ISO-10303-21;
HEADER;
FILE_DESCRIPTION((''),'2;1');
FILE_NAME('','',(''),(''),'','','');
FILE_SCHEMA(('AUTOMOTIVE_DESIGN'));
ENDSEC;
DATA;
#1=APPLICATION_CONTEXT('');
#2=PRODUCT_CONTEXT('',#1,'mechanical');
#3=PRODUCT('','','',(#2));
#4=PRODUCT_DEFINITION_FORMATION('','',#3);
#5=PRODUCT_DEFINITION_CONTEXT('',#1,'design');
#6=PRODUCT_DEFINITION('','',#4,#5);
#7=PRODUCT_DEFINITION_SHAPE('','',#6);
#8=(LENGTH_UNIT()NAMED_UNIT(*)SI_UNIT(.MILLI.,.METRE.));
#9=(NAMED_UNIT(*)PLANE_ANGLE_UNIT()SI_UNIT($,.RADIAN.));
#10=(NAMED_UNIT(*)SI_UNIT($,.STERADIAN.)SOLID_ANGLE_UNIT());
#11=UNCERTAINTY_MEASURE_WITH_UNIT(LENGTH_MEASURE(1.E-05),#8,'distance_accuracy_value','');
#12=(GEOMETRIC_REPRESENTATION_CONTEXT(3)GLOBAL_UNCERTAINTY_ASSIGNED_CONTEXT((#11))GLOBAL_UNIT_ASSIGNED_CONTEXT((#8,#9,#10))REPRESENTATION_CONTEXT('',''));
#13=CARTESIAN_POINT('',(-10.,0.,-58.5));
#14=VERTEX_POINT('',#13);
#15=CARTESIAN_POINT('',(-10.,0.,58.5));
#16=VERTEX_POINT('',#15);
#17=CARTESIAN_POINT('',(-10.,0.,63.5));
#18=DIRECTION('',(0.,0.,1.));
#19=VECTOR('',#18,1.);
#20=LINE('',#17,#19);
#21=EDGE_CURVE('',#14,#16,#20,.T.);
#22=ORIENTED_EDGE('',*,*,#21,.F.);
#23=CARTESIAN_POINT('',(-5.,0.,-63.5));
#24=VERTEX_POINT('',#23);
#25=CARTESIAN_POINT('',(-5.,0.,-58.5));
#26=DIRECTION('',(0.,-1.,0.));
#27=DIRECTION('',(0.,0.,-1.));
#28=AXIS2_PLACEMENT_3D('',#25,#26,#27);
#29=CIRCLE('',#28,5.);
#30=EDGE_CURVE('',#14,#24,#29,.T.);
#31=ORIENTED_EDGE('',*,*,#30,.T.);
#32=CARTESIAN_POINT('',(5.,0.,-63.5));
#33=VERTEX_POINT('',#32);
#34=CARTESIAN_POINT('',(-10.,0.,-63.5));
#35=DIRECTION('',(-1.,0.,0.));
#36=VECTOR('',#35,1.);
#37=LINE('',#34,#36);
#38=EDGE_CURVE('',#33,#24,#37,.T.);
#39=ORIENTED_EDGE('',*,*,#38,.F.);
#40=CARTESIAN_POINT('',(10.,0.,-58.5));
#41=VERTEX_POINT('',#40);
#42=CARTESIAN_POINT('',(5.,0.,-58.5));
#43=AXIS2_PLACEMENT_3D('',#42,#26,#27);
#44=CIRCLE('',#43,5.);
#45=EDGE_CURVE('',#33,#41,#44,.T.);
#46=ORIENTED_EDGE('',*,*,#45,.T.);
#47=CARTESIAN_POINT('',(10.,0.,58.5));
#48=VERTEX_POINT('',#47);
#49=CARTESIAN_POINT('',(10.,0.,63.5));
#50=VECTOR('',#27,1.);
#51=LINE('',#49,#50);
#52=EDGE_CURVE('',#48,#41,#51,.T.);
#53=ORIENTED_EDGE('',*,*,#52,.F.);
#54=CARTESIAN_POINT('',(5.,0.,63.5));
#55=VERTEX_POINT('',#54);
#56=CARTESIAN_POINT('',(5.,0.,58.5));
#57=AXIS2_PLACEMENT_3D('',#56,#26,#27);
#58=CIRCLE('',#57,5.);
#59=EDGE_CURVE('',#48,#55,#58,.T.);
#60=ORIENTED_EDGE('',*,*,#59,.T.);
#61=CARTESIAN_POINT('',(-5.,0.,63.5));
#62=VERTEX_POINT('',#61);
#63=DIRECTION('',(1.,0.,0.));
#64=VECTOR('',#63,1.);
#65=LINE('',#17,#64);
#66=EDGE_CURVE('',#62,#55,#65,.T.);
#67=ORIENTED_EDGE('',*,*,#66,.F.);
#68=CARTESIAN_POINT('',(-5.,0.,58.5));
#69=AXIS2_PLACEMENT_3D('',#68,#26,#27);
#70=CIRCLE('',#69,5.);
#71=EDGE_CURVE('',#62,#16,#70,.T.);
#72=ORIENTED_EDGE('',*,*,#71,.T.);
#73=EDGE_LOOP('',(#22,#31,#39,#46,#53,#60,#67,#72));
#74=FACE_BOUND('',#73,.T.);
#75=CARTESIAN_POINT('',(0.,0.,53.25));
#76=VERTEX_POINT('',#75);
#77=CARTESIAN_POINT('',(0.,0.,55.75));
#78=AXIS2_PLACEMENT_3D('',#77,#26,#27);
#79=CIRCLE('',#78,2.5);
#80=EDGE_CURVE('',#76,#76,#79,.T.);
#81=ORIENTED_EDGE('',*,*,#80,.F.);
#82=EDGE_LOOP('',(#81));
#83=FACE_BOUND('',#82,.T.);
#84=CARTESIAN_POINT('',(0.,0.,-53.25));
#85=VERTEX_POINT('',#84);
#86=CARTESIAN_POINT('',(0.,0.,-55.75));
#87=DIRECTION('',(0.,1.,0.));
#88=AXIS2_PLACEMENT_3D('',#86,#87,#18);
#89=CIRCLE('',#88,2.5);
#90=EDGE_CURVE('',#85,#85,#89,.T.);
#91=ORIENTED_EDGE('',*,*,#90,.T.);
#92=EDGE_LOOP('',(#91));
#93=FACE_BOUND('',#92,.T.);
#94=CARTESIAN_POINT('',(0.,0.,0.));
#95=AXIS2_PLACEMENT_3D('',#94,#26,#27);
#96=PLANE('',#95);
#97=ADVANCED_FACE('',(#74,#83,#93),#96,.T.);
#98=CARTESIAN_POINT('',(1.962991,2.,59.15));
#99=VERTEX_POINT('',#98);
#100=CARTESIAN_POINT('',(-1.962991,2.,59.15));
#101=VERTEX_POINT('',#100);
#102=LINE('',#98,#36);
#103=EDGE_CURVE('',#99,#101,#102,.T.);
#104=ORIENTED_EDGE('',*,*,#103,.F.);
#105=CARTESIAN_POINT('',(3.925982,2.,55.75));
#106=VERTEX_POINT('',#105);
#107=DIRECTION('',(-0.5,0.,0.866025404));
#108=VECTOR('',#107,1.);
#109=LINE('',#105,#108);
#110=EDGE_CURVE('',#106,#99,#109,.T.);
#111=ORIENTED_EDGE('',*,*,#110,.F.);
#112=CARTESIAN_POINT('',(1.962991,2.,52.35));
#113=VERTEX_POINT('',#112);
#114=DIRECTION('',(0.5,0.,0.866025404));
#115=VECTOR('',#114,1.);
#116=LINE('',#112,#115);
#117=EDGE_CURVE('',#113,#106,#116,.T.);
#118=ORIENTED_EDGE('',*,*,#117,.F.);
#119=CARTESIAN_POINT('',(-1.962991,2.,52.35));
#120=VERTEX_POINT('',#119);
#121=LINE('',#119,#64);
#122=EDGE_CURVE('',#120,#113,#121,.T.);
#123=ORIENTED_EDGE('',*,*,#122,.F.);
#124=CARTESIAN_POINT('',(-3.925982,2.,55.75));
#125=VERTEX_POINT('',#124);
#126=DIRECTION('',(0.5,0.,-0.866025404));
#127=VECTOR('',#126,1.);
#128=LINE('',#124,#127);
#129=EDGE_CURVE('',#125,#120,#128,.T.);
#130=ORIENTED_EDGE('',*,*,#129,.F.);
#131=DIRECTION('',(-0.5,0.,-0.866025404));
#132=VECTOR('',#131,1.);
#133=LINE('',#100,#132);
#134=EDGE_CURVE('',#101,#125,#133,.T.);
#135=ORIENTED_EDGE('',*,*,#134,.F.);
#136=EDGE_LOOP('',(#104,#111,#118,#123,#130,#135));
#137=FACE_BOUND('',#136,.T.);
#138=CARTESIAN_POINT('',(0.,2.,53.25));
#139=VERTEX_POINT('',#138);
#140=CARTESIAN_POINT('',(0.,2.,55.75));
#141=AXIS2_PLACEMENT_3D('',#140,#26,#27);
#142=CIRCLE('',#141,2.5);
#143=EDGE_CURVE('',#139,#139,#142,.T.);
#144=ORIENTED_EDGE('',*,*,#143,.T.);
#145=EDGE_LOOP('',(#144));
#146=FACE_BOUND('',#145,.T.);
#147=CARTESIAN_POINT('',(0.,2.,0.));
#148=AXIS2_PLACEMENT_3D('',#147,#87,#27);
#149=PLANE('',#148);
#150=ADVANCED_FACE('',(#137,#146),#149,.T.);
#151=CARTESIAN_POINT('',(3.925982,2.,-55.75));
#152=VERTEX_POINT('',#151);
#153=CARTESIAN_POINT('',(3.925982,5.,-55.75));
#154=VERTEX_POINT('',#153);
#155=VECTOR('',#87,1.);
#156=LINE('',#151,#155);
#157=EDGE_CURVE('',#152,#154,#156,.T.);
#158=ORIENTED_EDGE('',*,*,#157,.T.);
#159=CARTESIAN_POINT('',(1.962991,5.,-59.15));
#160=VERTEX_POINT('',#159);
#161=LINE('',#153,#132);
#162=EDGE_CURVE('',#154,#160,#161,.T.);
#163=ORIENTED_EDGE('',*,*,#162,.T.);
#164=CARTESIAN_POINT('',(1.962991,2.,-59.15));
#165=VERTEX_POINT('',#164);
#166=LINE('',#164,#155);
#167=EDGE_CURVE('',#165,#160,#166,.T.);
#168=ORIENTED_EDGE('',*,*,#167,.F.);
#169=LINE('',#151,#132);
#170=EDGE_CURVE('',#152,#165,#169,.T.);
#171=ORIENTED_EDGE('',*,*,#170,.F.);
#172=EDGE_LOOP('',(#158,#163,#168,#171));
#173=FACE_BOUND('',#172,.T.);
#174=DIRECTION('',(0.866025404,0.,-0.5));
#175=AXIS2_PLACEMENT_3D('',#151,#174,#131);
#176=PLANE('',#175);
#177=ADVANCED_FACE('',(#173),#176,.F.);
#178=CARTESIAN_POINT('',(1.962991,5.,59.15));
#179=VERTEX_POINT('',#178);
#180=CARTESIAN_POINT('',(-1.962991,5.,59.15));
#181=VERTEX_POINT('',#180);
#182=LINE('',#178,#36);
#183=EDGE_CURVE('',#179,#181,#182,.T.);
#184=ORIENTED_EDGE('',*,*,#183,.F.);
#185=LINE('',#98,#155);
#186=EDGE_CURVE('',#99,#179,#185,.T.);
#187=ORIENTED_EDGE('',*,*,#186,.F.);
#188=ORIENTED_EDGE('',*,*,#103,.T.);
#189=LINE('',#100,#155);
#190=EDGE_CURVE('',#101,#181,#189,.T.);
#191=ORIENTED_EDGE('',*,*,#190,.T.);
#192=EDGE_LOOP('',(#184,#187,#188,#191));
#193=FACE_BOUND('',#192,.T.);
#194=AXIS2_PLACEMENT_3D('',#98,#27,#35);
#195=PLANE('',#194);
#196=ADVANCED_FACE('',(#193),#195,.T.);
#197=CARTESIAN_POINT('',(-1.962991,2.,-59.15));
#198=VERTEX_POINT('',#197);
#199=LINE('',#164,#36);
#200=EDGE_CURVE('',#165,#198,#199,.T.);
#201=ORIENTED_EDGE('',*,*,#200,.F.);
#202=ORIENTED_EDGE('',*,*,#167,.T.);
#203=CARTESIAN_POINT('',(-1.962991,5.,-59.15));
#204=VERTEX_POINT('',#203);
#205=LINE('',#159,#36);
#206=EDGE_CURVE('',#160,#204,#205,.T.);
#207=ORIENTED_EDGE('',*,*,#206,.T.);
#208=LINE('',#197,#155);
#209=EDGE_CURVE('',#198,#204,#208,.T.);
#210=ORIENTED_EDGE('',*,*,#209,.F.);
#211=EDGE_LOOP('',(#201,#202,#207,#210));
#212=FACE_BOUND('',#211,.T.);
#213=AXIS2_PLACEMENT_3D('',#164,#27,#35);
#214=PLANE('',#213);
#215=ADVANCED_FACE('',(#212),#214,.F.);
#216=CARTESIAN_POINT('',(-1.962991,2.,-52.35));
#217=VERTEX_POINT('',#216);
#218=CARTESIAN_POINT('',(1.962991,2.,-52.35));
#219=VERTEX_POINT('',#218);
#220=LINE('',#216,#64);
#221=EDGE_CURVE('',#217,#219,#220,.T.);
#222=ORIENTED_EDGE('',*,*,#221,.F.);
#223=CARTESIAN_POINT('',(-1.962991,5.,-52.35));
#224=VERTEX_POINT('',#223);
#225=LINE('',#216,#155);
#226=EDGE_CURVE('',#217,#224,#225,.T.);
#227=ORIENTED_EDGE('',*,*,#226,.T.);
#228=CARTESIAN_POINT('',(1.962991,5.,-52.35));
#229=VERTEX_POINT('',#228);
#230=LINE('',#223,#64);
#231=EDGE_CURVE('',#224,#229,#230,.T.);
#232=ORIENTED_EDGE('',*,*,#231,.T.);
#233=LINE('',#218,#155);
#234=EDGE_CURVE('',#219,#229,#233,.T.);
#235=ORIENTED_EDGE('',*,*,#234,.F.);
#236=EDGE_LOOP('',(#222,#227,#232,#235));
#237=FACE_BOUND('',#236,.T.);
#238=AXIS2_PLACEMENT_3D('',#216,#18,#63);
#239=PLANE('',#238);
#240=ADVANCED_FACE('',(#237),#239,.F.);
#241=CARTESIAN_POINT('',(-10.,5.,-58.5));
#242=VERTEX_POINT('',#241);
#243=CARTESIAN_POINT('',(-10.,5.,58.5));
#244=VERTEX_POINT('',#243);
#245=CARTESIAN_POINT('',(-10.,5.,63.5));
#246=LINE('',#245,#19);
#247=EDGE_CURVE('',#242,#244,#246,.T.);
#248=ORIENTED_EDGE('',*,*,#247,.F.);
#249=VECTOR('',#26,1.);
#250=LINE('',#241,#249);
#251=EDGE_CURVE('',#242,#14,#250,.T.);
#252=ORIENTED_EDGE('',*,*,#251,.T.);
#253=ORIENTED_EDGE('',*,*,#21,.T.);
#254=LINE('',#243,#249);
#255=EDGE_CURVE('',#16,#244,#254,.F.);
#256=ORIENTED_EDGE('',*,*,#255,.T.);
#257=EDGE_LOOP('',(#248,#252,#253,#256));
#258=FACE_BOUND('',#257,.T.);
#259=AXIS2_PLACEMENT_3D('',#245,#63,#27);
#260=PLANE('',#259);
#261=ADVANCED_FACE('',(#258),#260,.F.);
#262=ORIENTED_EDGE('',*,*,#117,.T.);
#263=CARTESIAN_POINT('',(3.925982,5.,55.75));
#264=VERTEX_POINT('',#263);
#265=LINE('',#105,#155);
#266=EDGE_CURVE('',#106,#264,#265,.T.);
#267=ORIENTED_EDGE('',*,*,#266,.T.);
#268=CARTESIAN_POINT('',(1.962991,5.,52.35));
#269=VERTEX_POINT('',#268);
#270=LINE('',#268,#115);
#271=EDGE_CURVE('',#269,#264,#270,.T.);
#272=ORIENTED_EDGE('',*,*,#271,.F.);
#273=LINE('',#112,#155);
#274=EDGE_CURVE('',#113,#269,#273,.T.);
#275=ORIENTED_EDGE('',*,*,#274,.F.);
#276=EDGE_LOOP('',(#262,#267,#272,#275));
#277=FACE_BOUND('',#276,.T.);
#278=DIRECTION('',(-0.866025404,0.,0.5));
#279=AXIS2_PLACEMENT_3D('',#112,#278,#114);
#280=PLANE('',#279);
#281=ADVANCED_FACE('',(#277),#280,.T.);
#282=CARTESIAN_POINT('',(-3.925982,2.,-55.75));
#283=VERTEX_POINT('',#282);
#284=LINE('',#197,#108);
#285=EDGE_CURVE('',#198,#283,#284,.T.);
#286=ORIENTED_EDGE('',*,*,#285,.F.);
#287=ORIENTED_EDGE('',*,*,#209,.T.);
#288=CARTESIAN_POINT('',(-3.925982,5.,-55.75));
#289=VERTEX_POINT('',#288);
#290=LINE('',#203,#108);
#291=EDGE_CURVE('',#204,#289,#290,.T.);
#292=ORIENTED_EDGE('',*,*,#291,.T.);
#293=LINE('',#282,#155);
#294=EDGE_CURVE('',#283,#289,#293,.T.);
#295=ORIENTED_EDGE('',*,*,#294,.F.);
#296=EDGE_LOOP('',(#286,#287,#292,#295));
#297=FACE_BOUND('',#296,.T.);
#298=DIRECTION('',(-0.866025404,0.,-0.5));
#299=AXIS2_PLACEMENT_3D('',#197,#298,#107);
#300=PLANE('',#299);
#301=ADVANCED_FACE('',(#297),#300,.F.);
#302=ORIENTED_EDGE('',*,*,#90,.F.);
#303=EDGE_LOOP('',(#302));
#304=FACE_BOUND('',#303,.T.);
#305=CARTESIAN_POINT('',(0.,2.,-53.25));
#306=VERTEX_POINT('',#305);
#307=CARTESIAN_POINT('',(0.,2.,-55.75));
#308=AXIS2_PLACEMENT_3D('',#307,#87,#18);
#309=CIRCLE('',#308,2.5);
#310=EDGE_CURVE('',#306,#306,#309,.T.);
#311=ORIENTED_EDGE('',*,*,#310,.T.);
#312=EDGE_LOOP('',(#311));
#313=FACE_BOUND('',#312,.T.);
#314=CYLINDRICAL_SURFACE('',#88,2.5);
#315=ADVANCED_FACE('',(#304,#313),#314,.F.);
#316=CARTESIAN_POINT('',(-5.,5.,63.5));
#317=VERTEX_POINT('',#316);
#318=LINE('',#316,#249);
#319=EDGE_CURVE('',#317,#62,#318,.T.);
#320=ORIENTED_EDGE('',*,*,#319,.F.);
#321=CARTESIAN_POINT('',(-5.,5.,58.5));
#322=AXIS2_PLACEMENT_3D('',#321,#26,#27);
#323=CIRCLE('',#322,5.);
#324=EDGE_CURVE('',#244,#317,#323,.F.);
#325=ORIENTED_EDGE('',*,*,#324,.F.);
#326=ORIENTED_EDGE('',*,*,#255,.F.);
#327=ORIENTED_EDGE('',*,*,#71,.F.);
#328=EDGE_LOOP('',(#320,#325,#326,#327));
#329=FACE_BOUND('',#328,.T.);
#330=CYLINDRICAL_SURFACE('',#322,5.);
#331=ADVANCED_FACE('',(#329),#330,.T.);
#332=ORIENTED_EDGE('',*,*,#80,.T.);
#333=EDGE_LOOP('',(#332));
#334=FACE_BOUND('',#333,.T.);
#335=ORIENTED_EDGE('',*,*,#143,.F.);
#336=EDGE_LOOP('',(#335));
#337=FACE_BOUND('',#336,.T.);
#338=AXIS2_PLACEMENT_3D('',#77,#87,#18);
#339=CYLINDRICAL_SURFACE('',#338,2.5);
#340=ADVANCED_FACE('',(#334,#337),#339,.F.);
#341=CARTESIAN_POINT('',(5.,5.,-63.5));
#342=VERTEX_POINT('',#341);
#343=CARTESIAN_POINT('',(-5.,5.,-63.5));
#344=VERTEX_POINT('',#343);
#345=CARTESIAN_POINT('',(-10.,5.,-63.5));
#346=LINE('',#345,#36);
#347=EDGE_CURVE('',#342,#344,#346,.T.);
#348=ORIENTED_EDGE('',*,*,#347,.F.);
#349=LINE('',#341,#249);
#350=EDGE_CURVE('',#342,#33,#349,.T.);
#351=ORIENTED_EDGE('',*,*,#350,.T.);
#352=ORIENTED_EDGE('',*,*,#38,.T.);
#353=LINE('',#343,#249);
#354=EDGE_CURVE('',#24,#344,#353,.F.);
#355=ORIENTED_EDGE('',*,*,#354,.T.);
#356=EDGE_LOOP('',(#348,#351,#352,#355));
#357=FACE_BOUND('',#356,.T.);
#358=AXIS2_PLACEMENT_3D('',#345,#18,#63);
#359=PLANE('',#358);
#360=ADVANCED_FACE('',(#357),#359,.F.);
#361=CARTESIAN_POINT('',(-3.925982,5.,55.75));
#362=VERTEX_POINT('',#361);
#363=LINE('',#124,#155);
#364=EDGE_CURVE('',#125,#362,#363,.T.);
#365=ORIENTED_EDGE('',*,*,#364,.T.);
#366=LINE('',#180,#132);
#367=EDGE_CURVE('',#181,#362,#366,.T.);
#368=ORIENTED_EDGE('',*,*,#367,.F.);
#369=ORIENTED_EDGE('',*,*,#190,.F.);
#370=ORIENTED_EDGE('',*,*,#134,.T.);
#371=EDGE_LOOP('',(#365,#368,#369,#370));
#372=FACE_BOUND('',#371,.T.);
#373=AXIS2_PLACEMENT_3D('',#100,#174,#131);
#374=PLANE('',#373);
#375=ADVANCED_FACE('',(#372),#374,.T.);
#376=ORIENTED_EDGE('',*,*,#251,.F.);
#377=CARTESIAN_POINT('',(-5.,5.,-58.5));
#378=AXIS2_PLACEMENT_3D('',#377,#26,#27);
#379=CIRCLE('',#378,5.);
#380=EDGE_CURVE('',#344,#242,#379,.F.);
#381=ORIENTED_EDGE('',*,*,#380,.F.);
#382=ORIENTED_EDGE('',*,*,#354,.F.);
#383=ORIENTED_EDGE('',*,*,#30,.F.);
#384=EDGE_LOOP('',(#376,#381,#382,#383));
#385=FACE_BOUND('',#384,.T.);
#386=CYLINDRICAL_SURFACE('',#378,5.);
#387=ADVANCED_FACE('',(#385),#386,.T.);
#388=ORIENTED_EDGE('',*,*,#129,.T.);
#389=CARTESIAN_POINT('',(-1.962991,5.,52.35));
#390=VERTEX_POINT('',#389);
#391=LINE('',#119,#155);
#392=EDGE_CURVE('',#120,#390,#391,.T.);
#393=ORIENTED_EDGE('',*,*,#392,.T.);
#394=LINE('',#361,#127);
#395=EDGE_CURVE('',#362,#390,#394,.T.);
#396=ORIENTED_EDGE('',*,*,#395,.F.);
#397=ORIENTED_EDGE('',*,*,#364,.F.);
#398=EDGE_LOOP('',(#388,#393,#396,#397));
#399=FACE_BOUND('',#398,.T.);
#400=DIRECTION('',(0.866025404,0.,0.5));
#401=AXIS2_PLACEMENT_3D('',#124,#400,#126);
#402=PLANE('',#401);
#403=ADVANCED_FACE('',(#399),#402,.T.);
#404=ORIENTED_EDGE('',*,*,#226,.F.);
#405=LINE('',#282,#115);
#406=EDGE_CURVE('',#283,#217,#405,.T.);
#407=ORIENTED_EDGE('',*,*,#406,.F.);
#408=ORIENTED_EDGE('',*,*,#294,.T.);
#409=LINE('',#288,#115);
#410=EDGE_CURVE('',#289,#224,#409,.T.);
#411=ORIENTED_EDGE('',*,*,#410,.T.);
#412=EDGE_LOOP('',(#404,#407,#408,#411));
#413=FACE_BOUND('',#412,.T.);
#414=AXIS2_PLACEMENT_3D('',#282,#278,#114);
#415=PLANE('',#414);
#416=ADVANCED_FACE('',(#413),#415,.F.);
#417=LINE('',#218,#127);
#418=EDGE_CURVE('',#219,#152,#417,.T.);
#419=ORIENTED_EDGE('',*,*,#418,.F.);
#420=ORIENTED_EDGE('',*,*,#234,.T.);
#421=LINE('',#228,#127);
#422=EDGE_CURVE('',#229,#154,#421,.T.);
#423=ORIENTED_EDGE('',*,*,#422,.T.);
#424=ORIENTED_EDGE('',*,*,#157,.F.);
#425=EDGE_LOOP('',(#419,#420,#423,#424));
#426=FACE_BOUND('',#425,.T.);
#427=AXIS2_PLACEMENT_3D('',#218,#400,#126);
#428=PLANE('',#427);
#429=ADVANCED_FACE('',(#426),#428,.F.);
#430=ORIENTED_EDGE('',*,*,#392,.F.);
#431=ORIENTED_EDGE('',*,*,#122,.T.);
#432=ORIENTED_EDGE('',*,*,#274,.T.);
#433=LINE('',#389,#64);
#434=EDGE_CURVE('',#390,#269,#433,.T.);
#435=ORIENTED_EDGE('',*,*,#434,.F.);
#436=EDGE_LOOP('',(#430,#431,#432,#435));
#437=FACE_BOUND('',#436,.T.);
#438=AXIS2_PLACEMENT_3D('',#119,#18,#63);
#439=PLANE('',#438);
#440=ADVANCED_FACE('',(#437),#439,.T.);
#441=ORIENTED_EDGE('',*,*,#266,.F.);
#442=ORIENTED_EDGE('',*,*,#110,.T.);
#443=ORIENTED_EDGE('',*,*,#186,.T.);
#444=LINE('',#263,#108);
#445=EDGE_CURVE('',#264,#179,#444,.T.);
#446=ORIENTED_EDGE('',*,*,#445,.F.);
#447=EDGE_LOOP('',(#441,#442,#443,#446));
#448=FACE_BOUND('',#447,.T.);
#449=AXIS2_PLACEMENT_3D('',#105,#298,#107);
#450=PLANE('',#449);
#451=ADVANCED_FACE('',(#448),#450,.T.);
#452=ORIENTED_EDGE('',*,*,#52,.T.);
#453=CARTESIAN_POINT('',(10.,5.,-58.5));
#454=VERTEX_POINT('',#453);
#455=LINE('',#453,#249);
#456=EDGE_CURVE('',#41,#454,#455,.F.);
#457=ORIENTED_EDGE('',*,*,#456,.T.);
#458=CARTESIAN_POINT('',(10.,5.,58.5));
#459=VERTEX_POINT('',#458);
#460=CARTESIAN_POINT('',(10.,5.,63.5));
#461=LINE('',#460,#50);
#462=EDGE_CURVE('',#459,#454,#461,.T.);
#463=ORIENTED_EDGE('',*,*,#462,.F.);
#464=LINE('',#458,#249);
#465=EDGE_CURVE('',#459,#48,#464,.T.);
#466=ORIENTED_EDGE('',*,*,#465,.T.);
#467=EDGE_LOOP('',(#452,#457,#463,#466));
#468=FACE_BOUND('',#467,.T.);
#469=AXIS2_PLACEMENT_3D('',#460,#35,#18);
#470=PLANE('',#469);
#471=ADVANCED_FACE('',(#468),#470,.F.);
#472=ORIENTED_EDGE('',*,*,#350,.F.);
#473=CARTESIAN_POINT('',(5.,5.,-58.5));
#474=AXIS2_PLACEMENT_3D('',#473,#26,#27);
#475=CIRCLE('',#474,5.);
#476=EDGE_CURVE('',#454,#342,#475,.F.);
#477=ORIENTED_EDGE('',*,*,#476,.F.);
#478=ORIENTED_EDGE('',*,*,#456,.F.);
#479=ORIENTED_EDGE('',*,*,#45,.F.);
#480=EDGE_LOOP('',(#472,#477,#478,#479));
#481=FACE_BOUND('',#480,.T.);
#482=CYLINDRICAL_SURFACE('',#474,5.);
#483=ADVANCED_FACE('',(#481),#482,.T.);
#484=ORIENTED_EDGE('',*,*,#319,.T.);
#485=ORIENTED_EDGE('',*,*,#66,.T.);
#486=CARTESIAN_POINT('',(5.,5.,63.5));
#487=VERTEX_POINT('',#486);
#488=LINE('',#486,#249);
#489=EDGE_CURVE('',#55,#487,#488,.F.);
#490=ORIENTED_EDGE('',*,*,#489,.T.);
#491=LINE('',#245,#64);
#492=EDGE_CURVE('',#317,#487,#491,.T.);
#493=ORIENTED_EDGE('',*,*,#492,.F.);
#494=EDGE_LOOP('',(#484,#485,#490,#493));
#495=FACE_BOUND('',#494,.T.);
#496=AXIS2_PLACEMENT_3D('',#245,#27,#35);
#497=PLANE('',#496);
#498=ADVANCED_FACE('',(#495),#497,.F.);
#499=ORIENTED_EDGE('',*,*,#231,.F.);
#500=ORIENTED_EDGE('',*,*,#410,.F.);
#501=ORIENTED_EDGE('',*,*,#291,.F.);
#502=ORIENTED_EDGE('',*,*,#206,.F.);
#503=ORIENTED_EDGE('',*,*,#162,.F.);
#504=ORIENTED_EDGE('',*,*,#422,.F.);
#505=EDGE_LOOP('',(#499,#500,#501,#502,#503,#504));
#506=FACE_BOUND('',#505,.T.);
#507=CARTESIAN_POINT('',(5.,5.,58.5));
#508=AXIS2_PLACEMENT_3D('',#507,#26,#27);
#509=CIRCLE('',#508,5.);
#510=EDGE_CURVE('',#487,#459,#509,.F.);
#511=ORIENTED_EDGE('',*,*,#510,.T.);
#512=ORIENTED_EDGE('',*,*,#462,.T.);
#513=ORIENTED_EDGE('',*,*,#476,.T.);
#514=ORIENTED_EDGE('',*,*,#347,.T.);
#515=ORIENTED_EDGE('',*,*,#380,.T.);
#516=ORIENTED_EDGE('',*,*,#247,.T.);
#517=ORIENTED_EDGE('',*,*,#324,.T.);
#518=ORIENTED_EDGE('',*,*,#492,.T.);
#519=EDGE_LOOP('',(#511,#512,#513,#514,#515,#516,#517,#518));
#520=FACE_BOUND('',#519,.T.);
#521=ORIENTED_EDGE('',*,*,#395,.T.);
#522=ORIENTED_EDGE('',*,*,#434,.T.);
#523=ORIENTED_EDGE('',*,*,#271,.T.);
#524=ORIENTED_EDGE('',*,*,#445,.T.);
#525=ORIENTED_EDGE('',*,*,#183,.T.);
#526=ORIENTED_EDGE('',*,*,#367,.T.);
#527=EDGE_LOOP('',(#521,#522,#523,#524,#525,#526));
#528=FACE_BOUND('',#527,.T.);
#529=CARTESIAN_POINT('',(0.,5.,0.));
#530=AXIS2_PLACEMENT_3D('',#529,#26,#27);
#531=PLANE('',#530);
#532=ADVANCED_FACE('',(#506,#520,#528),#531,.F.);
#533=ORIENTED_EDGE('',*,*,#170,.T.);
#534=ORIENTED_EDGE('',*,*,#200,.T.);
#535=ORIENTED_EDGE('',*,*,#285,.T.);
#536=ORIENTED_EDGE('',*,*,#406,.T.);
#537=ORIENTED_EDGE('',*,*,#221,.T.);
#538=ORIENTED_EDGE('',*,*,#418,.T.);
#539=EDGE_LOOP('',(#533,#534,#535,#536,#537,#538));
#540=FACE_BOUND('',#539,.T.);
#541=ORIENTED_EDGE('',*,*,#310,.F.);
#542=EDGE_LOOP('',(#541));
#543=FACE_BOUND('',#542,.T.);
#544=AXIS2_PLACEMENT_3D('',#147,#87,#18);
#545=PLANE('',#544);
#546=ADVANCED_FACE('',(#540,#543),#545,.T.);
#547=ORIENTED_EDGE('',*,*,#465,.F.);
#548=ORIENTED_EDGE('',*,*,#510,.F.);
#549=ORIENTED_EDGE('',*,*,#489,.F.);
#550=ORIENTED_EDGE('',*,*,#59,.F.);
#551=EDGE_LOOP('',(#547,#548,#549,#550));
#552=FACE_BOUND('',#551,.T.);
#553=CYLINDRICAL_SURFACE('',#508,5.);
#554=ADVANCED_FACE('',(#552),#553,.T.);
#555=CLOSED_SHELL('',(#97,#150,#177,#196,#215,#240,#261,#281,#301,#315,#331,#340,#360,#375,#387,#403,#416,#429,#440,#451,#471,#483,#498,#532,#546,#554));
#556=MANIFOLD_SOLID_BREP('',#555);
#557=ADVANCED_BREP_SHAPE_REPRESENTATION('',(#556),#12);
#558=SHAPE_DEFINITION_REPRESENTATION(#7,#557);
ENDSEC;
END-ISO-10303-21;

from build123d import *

# Parameters (mm, degrees)
SKETCH1_W           = 20
SKETCH1_H           = 127
BOSS_EXTRUDE1_DEPTH = 5
CUT_EXTRUDE1_DEPTH  = 3
SKETCH4_R           = 2.5
CUT_EXTRUDE2_DEPTH  = 3
FILLET1_R           = 5


with BuildPart() as part:
    # Sketch1 → Boss-Extrude1 (new body)
    with BuildSketch(Plane(origin=(0, 0, 0), x_dir=(1, 0, 0), z_dir=(0, 1, 0))):
        Rectangle(SKETCH1_W, SKETCH1_H)
    extrude(amount=BOSS_EXTRUDE1_DEPTH)

    # Sketch3 → Cut-Extrude1 (cut)
    with BuildSketch(Plane(origin=(0, 5, 0), x_dir=(1, 0, 0), z_dir=(0, 1, 0))):
        Polygon((3.92598183, 55.75), (1.962990915, 59.15), (-1.962990915, 59.15), (-3.92598183, 55.75), (-1.962990915, 52.35), (1.962990915, 52.35), align=None)
    cut_extrude1 = extrude(amount=-CUT_EXTRUDE1_DEPTH, mode=Mode.SUBTRACT)

    # Sketch4 → Cut-Extrude2 (cut, through all)
    with BuildSketch(Plane(origin=(0, 2, 0), x_dir=(1, 0, 0), z_dir=(0, 1, 0))):
        with Locations((0, 55.75)):
            Circle(SKETCH4_R)
    cut_extrude2 = extrude(amount=-CUT_EXTRUDE2_DEPTH, mode=Mode.SUBTRACT)

    # Mirror1: Cut-Extrude1, Cut-Extrude2 across plane
    add(cut_extrude1.mirror(Plane.XY), mode=Mode.SUBTRACT)
    add(cut_extrude2.mirror(Plane.XY), mode=Mode.SUBTRACT)

    # Fillet1
    fillet1_edges = [part.edges().sort_by_distance(p)[0] for p in [
        (10, 2.5, 63.5),
        (-10, 2.5, 63.5),
        (-10, 2.5, -63.5),
        (10, 2.5, -63.5),
    ]]
    fillet(fillet1_edges, radius=FILLET1_R)


solid = part.part
